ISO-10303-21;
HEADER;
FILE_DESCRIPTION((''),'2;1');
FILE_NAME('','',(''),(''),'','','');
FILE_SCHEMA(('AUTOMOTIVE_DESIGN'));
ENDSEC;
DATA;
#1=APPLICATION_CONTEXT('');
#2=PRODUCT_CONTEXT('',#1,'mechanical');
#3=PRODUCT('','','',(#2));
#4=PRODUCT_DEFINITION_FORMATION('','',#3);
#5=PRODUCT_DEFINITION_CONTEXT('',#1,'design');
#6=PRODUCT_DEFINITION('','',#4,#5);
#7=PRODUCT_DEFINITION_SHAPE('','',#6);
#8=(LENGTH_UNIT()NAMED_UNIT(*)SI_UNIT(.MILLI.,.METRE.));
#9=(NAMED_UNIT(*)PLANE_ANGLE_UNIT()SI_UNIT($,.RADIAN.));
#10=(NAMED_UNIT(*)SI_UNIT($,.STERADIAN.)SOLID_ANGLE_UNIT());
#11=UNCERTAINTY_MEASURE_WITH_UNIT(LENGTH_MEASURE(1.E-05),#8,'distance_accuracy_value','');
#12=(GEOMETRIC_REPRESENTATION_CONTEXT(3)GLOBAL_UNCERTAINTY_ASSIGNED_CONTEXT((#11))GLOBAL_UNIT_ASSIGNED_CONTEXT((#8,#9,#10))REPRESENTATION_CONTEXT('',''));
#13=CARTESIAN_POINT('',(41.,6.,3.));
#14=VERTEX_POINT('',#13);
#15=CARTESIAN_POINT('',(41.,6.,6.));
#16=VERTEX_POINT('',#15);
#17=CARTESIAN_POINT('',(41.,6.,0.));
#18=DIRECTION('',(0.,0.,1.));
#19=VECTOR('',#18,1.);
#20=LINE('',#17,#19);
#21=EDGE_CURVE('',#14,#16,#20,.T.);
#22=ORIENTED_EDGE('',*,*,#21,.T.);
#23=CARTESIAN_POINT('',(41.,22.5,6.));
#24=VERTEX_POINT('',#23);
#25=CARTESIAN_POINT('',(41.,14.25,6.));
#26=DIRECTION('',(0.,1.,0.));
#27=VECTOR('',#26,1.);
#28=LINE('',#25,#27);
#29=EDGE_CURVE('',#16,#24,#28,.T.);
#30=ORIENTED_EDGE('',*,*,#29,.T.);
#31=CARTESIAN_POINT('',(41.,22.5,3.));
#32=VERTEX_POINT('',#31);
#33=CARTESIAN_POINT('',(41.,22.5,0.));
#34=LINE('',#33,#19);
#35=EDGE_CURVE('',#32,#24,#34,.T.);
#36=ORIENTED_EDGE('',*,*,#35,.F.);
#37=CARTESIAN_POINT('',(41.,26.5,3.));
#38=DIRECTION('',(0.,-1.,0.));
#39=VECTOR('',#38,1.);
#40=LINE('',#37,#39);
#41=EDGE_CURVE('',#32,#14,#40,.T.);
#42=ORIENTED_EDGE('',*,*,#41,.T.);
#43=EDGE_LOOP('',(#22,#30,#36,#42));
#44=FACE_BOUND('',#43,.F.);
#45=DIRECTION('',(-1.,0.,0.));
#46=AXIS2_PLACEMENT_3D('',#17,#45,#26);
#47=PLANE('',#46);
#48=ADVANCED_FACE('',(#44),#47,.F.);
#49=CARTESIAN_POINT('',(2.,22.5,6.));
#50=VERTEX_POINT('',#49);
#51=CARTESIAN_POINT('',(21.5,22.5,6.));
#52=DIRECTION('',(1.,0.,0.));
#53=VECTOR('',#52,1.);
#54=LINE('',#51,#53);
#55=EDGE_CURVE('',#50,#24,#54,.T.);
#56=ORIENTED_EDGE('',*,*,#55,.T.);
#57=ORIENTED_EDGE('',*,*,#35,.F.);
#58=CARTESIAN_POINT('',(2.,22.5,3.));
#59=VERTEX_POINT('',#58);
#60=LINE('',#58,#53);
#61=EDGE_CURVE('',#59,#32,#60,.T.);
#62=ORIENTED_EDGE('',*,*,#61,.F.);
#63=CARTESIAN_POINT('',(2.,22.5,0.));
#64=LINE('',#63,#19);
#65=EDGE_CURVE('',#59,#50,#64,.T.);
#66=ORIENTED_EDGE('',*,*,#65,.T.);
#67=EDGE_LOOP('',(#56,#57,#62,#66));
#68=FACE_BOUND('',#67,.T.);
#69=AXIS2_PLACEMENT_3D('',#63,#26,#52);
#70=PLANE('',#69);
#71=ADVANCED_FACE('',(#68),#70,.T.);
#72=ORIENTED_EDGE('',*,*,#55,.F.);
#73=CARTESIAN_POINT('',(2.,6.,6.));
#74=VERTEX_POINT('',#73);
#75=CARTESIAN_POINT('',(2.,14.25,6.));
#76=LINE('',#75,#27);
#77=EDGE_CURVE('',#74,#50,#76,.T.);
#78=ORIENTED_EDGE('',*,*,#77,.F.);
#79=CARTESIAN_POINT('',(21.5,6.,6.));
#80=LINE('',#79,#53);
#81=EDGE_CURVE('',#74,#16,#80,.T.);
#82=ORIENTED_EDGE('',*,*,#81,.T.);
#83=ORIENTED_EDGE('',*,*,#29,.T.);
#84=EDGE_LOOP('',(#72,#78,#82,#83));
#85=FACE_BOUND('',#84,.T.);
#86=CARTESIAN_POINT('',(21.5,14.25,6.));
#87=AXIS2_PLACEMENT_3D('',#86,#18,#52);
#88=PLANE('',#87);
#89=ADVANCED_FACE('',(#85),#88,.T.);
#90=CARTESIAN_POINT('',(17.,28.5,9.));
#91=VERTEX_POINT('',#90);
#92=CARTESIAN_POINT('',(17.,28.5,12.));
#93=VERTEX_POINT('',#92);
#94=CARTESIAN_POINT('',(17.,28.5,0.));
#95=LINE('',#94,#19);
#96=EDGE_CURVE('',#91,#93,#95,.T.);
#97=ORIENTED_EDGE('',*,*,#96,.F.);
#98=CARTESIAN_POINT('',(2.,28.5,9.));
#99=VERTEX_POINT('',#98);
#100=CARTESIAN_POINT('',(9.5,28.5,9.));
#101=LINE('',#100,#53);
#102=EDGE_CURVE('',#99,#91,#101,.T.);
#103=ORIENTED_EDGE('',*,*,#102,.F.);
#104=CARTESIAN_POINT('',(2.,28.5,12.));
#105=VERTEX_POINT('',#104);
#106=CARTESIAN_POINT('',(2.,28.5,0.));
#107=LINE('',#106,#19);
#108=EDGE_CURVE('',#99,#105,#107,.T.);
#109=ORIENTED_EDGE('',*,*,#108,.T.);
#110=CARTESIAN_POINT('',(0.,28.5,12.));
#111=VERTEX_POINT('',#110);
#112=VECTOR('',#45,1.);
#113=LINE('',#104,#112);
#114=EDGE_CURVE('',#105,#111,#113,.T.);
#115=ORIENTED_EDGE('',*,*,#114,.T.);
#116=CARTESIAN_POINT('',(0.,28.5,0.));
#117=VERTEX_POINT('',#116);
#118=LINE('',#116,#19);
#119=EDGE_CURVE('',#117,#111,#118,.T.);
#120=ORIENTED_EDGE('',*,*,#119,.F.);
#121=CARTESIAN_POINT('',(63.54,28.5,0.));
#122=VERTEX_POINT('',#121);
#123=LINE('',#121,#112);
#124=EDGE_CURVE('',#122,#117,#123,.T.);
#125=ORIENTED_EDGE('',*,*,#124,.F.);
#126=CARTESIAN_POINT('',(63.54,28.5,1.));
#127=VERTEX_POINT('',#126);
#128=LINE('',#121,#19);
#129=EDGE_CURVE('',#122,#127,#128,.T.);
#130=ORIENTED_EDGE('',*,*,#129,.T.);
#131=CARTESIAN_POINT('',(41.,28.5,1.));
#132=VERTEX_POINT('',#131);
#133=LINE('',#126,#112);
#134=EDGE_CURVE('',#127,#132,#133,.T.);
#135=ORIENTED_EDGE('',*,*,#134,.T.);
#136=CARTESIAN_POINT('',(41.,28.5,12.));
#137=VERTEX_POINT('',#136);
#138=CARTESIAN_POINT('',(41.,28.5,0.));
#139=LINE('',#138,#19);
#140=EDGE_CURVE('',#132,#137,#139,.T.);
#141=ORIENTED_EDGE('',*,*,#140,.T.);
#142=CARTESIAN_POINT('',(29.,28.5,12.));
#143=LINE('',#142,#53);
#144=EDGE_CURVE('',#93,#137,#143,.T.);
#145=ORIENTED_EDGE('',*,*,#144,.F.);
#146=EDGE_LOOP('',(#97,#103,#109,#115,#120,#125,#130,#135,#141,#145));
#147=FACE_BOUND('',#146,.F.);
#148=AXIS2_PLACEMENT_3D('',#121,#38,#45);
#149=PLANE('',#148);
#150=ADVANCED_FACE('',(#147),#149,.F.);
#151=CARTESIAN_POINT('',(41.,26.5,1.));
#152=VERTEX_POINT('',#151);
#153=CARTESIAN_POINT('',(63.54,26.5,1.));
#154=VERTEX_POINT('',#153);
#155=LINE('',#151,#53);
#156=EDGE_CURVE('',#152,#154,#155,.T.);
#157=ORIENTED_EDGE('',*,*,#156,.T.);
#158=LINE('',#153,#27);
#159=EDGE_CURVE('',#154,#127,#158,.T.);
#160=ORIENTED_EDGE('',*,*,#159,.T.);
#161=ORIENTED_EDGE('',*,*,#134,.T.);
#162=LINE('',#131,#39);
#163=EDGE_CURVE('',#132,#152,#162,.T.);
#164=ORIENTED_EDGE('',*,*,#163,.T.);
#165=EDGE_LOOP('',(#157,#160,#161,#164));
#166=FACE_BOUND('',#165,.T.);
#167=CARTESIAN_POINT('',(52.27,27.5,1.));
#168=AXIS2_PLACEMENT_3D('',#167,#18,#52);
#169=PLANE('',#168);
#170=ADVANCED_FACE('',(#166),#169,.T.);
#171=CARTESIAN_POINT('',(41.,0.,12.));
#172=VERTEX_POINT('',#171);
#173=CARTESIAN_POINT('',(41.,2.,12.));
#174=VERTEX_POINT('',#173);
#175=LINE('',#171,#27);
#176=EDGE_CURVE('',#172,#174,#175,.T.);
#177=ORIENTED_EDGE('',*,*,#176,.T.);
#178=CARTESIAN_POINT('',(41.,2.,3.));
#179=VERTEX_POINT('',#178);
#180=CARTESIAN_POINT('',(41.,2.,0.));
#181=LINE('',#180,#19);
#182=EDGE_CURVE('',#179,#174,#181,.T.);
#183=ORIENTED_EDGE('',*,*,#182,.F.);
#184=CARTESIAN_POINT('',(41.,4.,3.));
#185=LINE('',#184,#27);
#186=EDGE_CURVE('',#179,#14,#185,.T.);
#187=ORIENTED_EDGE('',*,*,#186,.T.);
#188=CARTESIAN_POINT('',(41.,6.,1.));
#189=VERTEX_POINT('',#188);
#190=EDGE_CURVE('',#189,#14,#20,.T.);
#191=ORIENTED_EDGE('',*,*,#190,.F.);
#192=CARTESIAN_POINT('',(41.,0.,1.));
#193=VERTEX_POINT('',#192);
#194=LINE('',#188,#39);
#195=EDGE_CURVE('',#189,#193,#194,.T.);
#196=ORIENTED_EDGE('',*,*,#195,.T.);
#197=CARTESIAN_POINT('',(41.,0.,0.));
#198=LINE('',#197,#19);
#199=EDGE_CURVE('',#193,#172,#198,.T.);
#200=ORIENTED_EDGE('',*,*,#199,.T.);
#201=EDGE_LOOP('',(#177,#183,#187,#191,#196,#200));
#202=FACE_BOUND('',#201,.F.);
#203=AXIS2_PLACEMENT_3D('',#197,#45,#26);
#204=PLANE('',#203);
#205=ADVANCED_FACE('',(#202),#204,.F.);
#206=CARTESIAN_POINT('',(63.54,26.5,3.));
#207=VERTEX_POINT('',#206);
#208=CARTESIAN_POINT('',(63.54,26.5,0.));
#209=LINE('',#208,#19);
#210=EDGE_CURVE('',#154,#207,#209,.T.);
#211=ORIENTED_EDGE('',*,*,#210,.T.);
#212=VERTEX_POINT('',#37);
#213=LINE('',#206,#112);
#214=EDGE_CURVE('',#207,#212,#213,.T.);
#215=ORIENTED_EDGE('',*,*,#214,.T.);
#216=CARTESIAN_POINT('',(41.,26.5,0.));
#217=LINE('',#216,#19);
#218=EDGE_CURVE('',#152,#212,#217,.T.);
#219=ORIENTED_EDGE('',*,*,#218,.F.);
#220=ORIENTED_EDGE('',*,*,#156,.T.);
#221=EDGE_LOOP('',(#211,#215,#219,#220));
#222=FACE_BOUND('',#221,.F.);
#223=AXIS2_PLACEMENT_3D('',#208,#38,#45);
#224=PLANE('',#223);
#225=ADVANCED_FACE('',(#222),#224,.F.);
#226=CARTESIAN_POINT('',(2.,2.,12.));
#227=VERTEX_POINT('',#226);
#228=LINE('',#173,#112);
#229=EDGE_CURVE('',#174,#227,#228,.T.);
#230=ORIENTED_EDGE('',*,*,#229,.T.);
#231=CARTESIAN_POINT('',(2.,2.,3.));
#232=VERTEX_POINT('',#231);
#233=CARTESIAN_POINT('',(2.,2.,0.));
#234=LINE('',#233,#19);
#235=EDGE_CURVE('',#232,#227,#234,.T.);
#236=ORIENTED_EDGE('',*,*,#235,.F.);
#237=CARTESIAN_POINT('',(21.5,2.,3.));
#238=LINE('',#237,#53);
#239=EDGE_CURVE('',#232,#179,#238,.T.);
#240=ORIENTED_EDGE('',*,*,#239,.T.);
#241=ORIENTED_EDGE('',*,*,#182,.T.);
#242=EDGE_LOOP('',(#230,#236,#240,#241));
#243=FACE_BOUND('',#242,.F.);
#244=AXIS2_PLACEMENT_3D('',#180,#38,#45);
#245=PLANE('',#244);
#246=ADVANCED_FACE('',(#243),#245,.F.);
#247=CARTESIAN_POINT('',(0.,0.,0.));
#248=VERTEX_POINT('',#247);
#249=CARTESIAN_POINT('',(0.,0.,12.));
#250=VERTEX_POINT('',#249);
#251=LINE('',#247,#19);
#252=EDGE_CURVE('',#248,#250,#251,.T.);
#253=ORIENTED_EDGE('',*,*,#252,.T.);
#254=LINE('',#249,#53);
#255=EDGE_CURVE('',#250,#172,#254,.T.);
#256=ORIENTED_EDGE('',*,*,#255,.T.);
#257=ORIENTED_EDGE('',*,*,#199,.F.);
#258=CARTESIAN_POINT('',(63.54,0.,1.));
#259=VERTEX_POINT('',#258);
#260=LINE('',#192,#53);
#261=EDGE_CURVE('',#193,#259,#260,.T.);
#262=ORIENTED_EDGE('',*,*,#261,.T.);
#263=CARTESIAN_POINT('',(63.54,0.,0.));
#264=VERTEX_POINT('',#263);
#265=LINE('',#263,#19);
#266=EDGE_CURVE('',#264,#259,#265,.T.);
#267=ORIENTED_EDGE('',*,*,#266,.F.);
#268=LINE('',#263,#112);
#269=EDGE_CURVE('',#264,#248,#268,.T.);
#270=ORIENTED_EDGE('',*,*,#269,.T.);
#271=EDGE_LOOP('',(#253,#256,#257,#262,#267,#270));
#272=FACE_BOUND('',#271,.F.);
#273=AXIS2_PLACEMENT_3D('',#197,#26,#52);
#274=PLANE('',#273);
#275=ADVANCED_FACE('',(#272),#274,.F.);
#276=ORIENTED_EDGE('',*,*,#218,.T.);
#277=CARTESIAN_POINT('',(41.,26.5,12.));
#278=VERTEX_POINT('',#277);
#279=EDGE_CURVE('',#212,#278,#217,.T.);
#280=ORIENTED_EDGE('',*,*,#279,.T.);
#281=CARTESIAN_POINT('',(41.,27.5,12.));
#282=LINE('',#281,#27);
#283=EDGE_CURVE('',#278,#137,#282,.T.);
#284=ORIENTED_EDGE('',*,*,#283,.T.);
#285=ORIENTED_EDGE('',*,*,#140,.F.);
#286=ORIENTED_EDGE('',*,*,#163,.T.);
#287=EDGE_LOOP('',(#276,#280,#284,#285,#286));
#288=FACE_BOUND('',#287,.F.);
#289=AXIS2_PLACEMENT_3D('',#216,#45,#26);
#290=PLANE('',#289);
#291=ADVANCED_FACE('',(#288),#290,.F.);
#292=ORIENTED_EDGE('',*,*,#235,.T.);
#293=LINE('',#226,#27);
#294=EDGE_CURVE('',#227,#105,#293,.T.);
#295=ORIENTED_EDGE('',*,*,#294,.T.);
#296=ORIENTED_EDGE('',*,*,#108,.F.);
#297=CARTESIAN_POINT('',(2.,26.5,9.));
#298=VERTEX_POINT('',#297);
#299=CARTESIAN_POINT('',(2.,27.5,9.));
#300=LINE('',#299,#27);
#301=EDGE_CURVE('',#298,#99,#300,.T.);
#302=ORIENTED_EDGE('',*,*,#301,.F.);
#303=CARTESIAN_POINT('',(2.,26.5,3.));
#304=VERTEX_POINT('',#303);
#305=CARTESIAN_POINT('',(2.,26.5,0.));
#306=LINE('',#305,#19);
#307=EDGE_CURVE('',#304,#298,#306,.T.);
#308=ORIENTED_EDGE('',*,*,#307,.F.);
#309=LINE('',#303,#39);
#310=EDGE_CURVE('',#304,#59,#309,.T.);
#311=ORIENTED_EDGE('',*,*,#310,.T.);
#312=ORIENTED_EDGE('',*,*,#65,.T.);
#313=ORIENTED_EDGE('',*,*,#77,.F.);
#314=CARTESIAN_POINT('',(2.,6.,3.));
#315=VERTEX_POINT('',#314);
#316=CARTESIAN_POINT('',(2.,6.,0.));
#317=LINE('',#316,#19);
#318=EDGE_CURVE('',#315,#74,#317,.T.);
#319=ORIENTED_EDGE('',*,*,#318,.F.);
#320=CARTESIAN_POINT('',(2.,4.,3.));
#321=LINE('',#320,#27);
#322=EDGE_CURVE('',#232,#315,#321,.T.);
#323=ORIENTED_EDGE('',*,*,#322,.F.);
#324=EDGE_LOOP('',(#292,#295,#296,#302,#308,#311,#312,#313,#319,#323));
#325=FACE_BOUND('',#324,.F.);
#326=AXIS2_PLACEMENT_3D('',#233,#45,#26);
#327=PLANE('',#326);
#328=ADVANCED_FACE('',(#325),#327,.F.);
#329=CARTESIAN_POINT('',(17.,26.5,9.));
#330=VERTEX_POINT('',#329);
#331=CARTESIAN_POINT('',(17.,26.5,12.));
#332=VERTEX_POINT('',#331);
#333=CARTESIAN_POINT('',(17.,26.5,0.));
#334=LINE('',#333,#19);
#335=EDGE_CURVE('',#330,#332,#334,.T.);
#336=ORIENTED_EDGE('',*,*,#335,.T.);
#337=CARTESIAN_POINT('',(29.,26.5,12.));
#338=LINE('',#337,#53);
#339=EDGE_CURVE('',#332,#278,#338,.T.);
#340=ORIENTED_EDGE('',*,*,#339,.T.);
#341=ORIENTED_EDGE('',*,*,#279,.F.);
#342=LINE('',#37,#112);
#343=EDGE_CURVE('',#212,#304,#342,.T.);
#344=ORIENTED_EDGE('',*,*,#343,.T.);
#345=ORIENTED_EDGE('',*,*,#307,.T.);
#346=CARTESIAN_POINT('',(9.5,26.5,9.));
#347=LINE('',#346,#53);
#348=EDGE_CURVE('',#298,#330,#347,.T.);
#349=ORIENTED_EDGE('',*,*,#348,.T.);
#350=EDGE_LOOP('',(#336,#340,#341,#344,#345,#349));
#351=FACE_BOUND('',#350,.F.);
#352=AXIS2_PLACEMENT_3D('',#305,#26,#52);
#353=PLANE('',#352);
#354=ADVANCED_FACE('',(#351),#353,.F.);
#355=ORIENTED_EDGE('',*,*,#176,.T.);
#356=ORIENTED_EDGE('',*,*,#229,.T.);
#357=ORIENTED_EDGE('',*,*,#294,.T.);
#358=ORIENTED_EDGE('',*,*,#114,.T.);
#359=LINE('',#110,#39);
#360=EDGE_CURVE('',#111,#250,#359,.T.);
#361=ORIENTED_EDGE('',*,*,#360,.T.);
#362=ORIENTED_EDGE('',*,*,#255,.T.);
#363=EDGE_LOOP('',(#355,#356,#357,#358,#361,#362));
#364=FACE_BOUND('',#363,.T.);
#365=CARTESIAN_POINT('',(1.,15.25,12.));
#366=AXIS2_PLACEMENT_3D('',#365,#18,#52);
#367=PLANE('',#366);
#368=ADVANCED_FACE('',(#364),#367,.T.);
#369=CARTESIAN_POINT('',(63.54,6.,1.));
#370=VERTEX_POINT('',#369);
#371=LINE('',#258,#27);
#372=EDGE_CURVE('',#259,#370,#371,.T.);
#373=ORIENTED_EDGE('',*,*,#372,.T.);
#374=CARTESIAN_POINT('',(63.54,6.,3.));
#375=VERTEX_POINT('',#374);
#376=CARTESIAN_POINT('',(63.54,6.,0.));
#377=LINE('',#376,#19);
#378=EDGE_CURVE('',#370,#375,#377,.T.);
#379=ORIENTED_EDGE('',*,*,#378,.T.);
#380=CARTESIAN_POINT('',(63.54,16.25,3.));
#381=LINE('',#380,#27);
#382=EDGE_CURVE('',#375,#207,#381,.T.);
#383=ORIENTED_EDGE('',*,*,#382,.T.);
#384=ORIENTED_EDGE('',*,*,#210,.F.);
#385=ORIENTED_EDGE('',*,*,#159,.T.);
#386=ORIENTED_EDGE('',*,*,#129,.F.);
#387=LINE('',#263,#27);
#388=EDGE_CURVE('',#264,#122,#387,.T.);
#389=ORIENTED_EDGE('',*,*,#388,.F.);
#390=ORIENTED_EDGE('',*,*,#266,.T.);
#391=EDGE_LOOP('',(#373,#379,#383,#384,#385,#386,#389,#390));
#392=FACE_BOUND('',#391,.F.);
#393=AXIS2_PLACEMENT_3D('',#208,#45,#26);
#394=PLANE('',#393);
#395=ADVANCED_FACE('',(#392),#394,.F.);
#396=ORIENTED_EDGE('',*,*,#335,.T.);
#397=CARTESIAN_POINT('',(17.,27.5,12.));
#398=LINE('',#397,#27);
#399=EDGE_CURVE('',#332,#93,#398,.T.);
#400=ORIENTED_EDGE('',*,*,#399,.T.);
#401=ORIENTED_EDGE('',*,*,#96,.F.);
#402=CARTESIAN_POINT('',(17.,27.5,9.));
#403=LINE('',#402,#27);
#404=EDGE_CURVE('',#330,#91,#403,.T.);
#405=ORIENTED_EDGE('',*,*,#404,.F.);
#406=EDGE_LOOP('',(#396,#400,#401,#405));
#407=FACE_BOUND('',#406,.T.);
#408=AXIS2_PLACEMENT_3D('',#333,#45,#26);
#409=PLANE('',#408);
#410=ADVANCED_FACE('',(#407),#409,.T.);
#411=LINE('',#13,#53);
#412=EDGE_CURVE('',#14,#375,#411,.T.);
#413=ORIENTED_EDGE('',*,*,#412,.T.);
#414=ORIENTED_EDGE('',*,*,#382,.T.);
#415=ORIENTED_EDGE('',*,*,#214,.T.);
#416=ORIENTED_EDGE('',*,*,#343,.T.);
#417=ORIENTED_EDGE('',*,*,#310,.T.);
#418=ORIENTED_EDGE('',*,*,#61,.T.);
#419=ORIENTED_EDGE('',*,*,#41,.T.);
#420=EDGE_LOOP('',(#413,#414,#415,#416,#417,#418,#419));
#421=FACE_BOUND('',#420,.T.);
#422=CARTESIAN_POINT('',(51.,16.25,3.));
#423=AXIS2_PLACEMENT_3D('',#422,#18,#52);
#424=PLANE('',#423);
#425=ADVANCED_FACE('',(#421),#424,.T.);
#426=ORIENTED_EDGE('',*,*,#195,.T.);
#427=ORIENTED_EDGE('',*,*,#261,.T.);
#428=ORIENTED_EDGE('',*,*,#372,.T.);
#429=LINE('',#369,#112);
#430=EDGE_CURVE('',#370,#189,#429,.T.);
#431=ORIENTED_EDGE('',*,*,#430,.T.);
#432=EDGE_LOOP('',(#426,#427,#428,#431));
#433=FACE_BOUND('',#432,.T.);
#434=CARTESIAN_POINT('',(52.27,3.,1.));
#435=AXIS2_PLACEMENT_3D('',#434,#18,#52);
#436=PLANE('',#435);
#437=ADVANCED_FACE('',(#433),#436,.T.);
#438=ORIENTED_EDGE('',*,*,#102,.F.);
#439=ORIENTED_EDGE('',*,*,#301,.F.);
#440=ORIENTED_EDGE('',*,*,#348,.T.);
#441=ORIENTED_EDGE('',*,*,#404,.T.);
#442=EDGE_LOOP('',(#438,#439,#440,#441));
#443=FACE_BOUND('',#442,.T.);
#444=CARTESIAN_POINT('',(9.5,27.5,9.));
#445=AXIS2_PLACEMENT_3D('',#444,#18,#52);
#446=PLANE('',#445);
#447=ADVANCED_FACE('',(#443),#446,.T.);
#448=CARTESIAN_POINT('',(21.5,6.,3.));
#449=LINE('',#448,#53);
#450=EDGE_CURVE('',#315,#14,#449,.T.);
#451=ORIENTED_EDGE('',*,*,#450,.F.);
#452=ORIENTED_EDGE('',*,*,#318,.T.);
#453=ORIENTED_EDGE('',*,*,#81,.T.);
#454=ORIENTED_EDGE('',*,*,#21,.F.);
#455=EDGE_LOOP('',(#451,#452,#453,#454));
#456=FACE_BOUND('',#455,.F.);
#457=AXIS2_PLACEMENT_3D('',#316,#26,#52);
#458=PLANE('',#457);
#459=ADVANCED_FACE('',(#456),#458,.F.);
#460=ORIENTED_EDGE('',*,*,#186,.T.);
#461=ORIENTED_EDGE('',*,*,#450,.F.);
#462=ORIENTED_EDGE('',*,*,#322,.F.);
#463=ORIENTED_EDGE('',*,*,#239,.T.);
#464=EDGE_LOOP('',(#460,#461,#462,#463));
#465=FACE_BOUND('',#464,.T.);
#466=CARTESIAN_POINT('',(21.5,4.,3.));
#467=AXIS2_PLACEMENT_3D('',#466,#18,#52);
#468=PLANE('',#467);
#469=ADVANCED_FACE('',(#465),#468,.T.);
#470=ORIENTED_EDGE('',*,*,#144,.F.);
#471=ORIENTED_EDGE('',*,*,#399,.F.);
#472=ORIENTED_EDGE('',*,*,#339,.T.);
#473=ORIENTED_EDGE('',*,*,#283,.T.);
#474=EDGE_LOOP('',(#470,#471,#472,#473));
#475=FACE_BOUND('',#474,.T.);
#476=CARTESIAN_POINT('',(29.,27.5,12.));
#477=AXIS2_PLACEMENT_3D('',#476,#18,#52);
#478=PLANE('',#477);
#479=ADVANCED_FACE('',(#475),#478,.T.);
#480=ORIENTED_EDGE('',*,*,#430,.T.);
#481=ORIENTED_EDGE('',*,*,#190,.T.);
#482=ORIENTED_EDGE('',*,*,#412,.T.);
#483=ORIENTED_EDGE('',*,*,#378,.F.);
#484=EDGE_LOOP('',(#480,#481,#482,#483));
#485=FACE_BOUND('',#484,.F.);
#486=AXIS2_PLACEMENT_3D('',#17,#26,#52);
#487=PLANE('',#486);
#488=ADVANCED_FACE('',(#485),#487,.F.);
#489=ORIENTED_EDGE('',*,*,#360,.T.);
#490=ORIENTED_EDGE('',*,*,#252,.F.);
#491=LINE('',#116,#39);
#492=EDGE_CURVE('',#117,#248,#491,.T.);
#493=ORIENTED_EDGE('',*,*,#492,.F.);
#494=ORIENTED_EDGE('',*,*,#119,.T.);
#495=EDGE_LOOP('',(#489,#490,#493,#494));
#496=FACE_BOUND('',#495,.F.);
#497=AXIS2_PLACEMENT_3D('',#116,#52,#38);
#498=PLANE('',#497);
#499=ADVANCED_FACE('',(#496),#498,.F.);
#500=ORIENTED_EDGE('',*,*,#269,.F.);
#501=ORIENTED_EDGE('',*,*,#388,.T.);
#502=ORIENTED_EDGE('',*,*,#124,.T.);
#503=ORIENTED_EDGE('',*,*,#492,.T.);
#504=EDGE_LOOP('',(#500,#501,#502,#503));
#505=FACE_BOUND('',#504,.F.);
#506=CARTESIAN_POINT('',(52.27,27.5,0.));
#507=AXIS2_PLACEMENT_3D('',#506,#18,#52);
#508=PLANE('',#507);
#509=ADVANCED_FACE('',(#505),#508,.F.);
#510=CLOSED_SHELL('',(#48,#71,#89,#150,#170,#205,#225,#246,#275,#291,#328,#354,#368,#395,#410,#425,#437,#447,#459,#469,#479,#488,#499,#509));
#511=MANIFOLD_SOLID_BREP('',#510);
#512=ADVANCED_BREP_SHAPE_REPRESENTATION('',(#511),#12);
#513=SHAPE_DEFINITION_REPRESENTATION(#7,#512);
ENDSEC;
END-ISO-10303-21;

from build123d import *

# Parameters (mm, degrees)
F0_W     = 39
F0_H     = 4
F0_W_2   = 2.54
F0_H_2   = 20.5
F1_DEPTH = 3
F0_H_3   = 16.5
F2_DEPTH = 6
F0_W_3   = 15
F0_H_4   = 2
F3_DEPTH = 9
F0_W_4   = 24
F4_DEPTH = 12
F5_DEPTH = 1


with BuildPart() as f1:
    # F0 (on Top) → F1 (new body)
    with BuildSketch(Plane.XY):
        Polygon((61, 26.5), (41, 26.5), (41, 22.5), (41, 6), (61, 6), align=None)
        Polygon((17, 26.5), (2, 26.5), (2, 22.5), (41, 22.5), (41, 26.5), align=None)
        with Locations((21.5, 4)):
            Rectangle(F0_W, F0_H)
        with Locations((62.27, 16.25)):
            Rectangle(F0_W_2, F0_H_2)
    extrude(amount=F1_DEPTH)

    # F0 (on Top) → F3 (join)
    with BuildSketch(Plane.XY):
        with Locations((9.5, 27.5)):
            Rectangle(F0_W_3, F0_H_4)
    extrude(amount=F3_DEPTH)



with BuildPart() as f2:
    # F0 (on Top) → F2 (new body)
    with BuildSketch(Plane.XY):
        with Locations((21.5, 14.25)):
            Rectangle(F0_W, F0_H_3)
    extrude(amount=F2_DEPTH)


with BuildPart() as f4:
    # F0 (on Top) → F4 (new body)
    with BuildSketch(Plane.XY):
        with Locations((29, 27.5)):
            Rectangle(F0_W_4, F0_H_4)
        Polygon((2, 22.5), (2, 26.5), (2, 28.5), (0, 28.5), (0, 2), (2, 2), (2, 6), align=None)
        Polygon((41, 2), (2, 2), (0, 2), (0, 0), (41, 0), align=None)
    extrude(amount=F4_DEPTH)


with BuildPart() as f1_1:
    add(f1.part)

    add(f2.part)  # F5 merges F2

    add(f4.part)  # F5 merges F4
    # F0 (on Top) → F5 (join)
    with BuildSketch(Plane.XY):
        Polygon((41, 28.5), (41, 26.5), (61, 26.5), (63.54, 26.5), (63.54, 28.5), align=None)
        Polygon((61, 6), (41, 6), (41, 2), (41, 0), (63.54, 0), (63.54, 6), align=None)
    extrude(amount=F5_DEPTH)


solid = f1_1.part
